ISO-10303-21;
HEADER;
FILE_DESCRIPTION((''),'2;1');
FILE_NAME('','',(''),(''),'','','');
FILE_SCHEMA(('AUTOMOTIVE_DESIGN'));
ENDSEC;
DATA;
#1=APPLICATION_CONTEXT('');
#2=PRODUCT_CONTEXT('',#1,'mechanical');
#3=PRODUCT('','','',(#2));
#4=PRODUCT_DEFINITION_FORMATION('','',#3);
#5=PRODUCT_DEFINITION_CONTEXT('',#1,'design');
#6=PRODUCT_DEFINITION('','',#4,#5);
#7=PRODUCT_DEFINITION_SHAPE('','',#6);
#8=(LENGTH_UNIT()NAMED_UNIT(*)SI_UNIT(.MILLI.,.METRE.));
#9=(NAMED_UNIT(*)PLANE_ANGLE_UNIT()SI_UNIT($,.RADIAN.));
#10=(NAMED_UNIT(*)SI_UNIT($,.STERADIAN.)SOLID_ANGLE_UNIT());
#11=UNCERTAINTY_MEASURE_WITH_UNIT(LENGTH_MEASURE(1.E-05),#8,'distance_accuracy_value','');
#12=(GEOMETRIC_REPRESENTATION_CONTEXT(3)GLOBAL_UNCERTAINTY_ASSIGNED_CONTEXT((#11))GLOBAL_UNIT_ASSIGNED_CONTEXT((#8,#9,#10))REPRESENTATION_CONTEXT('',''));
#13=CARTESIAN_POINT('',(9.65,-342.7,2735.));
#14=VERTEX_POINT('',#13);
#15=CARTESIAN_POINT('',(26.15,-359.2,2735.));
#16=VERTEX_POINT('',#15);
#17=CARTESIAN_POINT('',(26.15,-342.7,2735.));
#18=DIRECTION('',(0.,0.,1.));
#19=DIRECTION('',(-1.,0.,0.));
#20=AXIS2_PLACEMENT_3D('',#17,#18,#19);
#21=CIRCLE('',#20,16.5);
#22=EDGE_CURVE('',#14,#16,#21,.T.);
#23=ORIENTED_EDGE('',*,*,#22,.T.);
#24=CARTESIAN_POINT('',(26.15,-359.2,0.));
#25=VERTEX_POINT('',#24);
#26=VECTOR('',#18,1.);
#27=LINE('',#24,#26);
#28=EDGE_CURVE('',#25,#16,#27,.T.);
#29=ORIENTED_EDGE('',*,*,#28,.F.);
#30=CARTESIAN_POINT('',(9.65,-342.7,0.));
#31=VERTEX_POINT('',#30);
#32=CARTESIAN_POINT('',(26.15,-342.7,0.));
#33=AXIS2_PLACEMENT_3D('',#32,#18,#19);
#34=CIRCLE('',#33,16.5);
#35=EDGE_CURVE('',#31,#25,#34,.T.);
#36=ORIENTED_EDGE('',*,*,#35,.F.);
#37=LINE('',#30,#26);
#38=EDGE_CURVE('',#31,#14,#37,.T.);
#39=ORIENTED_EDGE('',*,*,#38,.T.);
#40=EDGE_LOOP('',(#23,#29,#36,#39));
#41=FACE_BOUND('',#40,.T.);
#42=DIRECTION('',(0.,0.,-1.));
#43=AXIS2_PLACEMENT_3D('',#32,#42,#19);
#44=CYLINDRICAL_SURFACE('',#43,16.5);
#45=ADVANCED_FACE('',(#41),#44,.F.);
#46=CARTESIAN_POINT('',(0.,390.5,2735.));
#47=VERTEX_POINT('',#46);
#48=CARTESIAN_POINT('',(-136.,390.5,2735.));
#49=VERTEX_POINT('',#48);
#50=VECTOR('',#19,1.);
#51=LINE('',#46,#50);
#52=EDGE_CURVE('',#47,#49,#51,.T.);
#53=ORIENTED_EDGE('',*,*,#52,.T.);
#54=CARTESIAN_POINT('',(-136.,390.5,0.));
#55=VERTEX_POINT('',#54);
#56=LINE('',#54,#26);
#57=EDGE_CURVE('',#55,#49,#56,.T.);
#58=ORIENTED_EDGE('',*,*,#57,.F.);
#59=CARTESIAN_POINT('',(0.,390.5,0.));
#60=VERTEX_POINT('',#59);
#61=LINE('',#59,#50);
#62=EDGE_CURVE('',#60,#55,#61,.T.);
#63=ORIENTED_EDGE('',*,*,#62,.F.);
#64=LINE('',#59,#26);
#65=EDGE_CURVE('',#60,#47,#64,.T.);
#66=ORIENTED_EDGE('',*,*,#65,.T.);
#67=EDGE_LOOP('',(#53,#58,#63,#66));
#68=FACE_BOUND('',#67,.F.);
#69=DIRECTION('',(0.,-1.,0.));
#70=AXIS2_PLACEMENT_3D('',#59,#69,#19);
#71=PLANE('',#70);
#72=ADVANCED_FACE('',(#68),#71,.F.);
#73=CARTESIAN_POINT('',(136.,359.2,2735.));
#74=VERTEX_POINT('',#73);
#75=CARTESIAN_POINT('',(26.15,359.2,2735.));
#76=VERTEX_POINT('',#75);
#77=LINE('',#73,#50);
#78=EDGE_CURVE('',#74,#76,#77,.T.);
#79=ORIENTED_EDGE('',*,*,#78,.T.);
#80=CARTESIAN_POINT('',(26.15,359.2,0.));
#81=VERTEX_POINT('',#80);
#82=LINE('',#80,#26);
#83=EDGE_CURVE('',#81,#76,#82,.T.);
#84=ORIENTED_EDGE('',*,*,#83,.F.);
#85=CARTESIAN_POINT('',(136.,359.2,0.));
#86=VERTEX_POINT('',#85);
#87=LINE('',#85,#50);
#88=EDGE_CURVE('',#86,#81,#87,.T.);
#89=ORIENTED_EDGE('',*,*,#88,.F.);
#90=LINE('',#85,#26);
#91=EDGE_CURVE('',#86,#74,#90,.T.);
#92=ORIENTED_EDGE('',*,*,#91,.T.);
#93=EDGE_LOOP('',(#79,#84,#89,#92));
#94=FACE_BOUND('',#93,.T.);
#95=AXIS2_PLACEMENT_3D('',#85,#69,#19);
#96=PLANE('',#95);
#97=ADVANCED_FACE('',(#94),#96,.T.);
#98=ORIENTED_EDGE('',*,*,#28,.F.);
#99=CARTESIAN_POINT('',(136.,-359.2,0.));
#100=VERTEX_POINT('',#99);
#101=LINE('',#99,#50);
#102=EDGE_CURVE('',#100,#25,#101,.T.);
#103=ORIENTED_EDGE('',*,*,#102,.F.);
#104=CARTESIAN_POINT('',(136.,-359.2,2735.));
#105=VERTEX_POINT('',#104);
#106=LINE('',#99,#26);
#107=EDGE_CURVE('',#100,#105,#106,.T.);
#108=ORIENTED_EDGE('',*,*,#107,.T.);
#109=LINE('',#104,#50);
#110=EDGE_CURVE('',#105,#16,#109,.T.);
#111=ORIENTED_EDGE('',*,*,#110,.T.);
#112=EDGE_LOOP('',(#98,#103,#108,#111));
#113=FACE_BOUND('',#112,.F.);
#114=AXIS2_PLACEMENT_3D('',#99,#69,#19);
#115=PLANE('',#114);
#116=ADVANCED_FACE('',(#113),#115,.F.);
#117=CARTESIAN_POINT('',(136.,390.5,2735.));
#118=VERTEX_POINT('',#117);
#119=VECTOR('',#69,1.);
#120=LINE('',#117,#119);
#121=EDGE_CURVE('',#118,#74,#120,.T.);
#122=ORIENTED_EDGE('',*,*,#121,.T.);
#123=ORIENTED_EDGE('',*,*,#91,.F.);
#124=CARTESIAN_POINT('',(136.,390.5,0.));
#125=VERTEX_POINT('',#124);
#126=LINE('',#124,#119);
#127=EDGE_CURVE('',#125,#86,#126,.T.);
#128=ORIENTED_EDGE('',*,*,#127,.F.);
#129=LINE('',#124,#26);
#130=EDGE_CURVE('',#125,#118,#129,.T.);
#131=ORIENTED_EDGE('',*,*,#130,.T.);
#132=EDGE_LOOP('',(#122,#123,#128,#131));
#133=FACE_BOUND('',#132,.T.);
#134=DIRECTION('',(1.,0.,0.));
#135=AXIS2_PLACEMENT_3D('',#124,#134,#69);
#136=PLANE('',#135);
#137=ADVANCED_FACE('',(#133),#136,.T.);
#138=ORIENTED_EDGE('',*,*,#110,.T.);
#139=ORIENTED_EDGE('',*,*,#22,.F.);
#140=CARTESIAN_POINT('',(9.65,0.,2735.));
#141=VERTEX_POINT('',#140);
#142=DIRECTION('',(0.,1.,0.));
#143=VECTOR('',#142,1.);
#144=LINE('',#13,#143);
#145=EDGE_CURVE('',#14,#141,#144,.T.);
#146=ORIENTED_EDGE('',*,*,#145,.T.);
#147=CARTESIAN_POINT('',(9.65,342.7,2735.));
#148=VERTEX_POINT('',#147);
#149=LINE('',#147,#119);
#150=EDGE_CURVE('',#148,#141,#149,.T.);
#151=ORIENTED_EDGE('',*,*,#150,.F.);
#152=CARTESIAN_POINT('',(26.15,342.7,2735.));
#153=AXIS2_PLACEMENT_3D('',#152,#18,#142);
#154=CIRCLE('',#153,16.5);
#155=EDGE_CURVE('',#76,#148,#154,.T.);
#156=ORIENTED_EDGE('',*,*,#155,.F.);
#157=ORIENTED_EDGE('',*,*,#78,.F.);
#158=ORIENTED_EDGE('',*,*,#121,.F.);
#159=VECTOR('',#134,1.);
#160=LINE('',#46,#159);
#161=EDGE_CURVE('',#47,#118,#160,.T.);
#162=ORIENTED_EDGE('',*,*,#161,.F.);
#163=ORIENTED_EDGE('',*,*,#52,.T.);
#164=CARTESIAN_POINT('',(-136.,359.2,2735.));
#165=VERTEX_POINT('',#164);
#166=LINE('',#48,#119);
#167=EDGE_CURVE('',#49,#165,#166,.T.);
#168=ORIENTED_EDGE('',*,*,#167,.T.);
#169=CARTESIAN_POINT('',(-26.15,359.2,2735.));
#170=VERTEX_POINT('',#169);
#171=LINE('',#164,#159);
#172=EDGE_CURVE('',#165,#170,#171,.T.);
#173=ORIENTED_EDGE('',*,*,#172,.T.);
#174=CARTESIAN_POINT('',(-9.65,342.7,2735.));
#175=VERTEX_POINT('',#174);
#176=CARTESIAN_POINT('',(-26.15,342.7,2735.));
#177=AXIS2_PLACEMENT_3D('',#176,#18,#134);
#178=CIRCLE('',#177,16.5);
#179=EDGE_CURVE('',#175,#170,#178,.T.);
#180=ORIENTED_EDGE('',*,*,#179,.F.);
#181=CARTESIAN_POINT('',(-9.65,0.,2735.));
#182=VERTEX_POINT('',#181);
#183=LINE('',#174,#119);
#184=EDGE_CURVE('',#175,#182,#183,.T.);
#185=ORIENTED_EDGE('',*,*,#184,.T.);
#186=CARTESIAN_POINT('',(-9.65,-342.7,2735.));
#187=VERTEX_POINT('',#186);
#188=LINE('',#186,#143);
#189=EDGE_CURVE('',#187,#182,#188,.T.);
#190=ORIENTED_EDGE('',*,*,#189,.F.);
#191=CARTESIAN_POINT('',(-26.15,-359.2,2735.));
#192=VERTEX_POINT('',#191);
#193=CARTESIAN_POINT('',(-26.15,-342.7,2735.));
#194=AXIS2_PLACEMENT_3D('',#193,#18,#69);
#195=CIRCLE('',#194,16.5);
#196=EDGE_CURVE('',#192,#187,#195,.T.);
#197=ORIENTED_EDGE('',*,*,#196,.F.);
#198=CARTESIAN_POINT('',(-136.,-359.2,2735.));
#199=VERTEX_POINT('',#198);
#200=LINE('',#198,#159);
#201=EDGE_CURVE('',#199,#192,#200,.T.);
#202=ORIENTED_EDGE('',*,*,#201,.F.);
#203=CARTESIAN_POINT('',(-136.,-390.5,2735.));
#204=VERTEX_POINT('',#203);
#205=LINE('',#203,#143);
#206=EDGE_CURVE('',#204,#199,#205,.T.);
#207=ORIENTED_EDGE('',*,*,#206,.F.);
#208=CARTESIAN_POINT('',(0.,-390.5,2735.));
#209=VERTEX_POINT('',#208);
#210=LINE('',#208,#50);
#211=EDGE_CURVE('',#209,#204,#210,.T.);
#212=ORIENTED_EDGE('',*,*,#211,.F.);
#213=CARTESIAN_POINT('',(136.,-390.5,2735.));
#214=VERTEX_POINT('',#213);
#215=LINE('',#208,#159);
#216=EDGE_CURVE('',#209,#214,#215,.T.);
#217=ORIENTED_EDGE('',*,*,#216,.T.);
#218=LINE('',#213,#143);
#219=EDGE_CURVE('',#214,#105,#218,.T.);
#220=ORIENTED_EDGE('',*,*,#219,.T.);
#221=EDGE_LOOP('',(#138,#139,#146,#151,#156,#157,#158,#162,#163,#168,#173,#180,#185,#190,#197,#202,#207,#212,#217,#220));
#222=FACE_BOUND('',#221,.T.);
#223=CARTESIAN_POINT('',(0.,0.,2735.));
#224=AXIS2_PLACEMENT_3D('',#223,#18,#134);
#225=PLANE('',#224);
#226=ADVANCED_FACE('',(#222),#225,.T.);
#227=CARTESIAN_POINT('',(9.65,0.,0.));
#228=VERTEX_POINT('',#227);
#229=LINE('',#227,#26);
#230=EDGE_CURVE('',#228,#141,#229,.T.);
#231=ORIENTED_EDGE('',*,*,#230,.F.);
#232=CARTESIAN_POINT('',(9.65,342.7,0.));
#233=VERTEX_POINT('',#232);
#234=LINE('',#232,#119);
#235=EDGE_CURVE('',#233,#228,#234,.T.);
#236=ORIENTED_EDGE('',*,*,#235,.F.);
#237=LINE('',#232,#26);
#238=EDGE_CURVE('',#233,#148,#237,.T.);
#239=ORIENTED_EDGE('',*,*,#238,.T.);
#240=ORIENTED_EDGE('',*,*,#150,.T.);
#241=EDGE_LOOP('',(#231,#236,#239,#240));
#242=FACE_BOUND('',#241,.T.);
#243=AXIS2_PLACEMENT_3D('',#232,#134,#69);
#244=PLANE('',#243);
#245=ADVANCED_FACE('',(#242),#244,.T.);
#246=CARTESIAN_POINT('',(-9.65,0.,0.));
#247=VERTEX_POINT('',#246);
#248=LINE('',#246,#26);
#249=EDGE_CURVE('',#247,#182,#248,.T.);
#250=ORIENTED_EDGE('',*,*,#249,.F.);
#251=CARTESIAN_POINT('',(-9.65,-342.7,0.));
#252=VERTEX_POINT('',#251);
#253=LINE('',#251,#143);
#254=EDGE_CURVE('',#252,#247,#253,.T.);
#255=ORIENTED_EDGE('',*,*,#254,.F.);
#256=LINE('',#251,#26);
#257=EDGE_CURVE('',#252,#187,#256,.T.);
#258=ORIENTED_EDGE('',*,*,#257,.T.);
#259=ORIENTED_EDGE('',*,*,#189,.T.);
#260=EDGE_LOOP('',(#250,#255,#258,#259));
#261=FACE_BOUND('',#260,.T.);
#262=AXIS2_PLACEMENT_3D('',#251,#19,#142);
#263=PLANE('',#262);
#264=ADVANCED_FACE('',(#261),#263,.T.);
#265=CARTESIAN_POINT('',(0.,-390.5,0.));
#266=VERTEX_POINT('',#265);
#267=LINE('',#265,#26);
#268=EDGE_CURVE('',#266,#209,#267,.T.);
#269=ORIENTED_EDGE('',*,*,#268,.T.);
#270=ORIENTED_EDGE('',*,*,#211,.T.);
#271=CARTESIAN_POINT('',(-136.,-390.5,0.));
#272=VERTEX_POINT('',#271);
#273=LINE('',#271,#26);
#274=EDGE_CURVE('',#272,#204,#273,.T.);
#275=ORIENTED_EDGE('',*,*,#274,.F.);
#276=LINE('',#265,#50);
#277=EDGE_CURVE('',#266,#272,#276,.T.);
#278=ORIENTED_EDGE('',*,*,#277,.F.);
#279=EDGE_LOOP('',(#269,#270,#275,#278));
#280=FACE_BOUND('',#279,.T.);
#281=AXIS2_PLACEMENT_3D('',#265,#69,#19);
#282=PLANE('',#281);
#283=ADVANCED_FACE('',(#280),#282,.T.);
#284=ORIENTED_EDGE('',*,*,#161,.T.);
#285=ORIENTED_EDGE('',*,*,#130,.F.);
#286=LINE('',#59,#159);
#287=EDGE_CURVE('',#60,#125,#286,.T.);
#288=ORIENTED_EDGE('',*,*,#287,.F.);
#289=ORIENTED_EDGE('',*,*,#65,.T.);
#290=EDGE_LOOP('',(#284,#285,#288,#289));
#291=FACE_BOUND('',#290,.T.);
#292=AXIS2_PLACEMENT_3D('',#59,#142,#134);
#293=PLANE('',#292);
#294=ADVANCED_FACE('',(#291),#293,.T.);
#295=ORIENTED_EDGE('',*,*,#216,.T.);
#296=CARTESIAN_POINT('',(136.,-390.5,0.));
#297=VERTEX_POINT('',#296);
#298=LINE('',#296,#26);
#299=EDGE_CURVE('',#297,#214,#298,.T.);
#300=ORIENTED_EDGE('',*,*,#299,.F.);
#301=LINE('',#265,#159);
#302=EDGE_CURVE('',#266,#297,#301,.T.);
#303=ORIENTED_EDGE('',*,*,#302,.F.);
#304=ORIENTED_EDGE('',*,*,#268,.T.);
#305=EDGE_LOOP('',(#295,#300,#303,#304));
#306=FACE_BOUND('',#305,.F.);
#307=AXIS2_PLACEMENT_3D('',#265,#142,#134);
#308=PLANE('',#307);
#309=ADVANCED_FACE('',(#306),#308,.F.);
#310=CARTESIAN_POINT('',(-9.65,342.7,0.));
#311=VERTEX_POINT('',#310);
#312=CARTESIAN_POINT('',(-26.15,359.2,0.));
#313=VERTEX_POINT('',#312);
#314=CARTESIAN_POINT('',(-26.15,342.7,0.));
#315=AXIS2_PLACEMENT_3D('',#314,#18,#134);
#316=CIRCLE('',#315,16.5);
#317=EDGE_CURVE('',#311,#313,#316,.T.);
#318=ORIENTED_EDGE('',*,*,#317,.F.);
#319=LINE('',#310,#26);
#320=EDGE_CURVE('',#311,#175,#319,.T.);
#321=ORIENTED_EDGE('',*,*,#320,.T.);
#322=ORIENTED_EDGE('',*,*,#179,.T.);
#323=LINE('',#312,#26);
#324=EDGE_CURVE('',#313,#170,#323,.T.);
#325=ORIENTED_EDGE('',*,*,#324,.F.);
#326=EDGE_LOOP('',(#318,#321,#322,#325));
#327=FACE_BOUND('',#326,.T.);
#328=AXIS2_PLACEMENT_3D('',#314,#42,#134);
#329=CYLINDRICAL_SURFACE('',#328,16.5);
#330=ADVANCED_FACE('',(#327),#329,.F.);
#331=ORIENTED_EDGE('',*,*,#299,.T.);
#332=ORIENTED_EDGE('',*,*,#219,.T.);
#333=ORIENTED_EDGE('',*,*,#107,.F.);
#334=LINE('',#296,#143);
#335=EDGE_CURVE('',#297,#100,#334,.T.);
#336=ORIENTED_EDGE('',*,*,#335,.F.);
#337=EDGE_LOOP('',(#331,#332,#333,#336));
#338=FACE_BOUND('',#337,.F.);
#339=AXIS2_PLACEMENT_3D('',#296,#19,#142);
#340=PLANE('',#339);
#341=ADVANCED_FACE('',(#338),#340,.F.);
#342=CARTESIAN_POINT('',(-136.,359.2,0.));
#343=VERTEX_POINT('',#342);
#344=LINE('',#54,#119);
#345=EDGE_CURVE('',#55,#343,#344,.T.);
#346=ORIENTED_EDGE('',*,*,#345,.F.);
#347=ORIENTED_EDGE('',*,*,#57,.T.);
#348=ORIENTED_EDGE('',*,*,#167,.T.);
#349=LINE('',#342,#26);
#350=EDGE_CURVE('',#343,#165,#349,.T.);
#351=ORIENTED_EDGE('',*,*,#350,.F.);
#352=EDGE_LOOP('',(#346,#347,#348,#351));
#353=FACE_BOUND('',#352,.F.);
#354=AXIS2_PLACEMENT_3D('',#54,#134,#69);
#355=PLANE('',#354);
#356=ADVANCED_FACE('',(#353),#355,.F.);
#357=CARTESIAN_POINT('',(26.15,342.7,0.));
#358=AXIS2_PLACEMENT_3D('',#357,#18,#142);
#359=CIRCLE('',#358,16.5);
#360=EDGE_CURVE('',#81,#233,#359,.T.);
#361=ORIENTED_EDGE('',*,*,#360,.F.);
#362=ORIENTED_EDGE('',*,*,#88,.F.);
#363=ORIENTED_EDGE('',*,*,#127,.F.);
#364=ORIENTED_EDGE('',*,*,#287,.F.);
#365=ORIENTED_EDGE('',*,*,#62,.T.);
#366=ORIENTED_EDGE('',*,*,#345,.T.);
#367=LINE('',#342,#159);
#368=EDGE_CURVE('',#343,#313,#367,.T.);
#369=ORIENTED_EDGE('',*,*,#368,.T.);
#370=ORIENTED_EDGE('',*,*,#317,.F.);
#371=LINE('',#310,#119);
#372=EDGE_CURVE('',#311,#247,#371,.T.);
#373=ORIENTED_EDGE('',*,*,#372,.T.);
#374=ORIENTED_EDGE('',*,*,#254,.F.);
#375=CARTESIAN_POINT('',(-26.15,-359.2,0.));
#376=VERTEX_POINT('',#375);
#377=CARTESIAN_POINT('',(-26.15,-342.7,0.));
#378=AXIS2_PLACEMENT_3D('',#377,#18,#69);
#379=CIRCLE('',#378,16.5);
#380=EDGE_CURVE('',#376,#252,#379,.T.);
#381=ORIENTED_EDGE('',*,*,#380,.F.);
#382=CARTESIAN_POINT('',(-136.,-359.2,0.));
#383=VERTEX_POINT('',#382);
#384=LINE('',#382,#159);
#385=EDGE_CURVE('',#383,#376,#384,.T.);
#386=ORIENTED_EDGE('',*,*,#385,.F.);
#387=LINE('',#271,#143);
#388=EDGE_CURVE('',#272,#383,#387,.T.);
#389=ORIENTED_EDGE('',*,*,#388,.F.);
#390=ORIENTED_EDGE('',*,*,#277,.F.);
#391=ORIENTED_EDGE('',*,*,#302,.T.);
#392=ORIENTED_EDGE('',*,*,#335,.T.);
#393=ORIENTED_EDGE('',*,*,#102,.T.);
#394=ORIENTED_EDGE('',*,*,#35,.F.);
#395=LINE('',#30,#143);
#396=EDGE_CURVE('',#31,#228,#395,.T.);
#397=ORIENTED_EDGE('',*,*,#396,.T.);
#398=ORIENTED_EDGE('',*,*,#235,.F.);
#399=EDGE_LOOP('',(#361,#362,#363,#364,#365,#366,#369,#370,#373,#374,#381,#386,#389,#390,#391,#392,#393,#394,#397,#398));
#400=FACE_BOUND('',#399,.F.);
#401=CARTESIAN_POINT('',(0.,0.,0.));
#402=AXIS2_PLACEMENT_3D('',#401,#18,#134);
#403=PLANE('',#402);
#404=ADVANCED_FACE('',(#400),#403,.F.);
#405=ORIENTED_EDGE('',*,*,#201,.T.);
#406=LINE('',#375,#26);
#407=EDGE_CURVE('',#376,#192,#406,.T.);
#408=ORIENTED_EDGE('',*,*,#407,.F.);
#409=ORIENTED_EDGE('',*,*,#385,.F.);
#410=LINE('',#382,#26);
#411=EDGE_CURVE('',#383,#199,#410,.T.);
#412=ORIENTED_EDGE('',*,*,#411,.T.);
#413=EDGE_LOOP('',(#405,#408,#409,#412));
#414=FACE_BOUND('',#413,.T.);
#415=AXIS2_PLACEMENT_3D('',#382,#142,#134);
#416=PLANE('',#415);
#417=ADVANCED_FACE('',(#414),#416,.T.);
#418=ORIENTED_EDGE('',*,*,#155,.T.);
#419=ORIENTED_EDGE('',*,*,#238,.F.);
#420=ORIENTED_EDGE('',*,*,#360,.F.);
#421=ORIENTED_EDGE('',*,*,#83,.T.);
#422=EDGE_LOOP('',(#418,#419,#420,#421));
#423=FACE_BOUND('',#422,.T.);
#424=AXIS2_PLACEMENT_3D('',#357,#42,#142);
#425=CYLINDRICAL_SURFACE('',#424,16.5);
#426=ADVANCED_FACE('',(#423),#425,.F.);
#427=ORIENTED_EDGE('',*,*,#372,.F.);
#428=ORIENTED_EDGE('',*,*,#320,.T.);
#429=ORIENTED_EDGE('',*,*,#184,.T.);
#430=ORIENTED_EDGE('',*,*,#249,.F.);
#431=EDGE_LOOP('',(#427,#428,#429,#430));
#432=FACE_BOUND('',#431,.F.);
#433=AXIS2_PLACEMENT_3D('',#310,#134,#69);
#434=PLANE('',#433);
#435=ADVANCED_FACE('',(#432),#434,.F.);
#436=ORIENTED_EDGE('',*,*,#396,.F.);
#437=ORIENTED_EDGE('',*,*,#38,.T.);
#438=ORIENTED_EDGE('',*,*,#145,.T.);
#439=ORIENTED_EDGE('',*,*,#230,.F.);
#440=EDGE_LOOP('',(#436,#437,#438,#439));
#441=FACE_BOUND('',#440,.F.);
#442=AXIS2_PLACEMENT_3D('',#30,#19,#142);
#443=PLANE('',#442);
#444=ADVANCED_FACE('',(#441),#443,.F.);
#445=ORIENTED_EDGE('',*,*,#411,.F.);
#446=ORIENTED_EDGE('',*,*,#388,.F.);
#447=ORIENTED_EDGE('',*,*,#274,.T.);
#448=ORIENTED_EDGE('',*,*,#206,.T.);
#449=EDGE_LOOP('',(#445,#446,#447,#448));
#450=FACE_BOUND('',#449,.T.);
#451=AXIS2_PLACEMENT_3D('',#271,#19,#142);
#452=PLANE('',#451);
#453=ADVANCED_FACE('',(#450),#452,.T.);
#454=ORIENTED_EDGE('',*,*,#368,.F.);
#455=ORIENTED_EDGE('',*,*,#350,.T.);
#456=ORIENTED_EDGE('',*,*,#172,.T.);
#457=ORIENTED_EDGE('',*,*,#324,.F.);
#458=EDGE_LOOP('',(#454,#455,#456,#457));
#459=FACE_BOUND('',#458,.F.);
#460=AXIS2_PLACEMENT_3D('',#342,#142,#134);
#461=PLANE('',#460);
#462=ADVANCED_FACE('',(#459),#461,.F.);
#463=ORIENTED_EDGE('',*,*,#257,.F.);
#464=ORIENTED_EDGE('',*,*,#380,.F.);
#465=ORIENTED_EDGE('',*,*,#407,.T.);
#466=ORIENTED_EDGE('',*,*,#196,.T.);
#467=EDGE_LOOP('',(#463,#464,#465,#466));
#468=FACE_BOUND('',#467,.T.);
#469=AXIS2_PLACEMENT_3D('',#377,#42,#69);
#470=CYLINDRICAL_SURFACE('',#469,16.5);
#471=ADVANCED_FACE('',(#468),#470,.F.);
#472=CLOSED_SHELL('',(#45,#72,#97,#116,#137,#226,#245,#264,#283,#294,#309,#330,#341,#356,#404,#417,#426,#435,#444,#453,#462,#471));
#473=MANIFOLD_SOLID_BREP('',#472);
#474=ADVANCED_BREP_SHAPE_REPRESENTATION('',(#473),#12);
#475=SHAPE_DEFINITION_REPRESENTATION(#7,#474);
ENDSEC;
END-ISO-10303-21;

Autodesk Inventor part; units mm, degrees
ref_plane "YZ Plane" through (0, 0, 0) normal (1, 0, 0) x (0, 1, 0)
ref_plane "Start plane" through (0, 0, 0) normal (0, 0, 1) x (1, 0, 0)
ref_plane "End plane" through (0, 0, 2735) normal (0, 0, 1) x (1, 0, 0)
sketch "Sketch" plane through (0, 0, 0) normal (0, 0, 1) x (1, 0, 0)
  line L0 (-136, -390.5) -> (-136, -359.2)
  line L1 (-136, -359.2) -> (-26.15, -359.2)
  line L2 (-9.65, -342.7) -> (-9.65, 0)
  line L3 (-9.65, 0) -> (0, 0) construction
  line L4 (0, 0) -> (0, -390.5) construction
  line L5 (0, -390.5) -> (-136, -390.5)
  line L6 (-60, 0) -> (80, 0) construction
  line L7 (0, -60) -> (0, 80) construction
  line L8 (136, -390.5) -> (136, -359.2)
  line L9 (136, -359.2) -> (26.15, -359.2)
  line L10 (9.65, -342.7) -> (9.65, 0)
  line L11 (9.65, 0) -> (0, 0) construction
  line L12 (0, -390.5) -> (136, -390.5)
  line L13 (-136, 390.5) -> (-136, 359.2)
  line L14 (-136, 359.2) -> (-26.15, 359.2)
  line L15 (-9.65, 342.7) -> (-9.65, 0)
  line L16 (0, 390.5) -> (-136, 390.5)
  line L17 (136, 390.5) -> (136, 359.2)
  line L18 (136, 359.2) -> (26.15, 359.2)
  line L19 (0, 390.5) -> (136, 390.5)
  line L20 (9.65, 342.7) -> (9.65, 0)
  arc A0 (-9.65, 342.7) -> (-26.15, 359.2) centre (-26.15, 342.7) ccw
  arc A1 (26.15, 359.2) -> (9.65, 342.7) centre (26.15, 342.7) ccw
  arc A2 (9.65, -342.7) -> (26.15, -359.2) centre (26.15, -342.7) ccw
  arc A3 (-26.15, -359.2) -> (-9.65, -342.7) centre (-26.15, -342.7) ccw
  line L21 (0, 108) -> (0, -88) construction
  line L22 (-88, 0) -> (108, 0) construction
  point P0 (-9.65, -359.2)
  point P1 (9.65, -359.2)
  point P2 (-9.65, 359.2)
  point P3 (9.65, 359.2)
  dimension "d1" = 390.5
  dimension "d2" = 31.3
  dimension "d3" = 136
  dimension "d4" = 9.65
  dimension "d10" = 16.5
extrude "Body" add sketch "Sketch" along normal up to surface (2735 mm away) from surface at 0
sketch "Sketch4" plane through (0, 0, 0) normal (0, 0, 1) x (1, 0, 0)
  line L0 (0, 0) -> (10, 0)
ref_plane "Work Plane3" through (0, 0, 0) normal (0, -1, 0) x (1, 0, 0)
sketch "Sketch5" plane through (0, 0, 0) normal (0, -1, 0) x (1, 0, 0)
  line L0 (-2, 0) -> (12, 0) projected
  line L1 (-2, 2735) -> (12, 2735) projected
  dimension "d14" = 2735
equation "\"d1\" = 0.5 * G_H"
equation "\"d2\" = G_T1"
equation "\"d3\" = 0.5 * G_W"
equation "\"d4\" = 0.5 * G_T"
equation "\"d10\" = G_IR"
equation "\"d5\" = G_L"
equation "\"G_W\" = 272"
equation "\"G_H\" = 781"
equation "\"G_T\" = 19.3"
equation "\"G_T1\" = 31.3"
equation "\"G_IR\" = 16.5"
equation "\"G_L\" = d14"
equation "\"G_OFFSET_START\" = 0"
equation "\"G_OFFSET_END\" = 0"
equation "\"d12\" = G_OFFSET_END + B_L"
equation "\"B_L\" = 2735"
properties part number "AS 3679-1990 - 760 UB - 244 - 2735" material "Steel, Mild"
